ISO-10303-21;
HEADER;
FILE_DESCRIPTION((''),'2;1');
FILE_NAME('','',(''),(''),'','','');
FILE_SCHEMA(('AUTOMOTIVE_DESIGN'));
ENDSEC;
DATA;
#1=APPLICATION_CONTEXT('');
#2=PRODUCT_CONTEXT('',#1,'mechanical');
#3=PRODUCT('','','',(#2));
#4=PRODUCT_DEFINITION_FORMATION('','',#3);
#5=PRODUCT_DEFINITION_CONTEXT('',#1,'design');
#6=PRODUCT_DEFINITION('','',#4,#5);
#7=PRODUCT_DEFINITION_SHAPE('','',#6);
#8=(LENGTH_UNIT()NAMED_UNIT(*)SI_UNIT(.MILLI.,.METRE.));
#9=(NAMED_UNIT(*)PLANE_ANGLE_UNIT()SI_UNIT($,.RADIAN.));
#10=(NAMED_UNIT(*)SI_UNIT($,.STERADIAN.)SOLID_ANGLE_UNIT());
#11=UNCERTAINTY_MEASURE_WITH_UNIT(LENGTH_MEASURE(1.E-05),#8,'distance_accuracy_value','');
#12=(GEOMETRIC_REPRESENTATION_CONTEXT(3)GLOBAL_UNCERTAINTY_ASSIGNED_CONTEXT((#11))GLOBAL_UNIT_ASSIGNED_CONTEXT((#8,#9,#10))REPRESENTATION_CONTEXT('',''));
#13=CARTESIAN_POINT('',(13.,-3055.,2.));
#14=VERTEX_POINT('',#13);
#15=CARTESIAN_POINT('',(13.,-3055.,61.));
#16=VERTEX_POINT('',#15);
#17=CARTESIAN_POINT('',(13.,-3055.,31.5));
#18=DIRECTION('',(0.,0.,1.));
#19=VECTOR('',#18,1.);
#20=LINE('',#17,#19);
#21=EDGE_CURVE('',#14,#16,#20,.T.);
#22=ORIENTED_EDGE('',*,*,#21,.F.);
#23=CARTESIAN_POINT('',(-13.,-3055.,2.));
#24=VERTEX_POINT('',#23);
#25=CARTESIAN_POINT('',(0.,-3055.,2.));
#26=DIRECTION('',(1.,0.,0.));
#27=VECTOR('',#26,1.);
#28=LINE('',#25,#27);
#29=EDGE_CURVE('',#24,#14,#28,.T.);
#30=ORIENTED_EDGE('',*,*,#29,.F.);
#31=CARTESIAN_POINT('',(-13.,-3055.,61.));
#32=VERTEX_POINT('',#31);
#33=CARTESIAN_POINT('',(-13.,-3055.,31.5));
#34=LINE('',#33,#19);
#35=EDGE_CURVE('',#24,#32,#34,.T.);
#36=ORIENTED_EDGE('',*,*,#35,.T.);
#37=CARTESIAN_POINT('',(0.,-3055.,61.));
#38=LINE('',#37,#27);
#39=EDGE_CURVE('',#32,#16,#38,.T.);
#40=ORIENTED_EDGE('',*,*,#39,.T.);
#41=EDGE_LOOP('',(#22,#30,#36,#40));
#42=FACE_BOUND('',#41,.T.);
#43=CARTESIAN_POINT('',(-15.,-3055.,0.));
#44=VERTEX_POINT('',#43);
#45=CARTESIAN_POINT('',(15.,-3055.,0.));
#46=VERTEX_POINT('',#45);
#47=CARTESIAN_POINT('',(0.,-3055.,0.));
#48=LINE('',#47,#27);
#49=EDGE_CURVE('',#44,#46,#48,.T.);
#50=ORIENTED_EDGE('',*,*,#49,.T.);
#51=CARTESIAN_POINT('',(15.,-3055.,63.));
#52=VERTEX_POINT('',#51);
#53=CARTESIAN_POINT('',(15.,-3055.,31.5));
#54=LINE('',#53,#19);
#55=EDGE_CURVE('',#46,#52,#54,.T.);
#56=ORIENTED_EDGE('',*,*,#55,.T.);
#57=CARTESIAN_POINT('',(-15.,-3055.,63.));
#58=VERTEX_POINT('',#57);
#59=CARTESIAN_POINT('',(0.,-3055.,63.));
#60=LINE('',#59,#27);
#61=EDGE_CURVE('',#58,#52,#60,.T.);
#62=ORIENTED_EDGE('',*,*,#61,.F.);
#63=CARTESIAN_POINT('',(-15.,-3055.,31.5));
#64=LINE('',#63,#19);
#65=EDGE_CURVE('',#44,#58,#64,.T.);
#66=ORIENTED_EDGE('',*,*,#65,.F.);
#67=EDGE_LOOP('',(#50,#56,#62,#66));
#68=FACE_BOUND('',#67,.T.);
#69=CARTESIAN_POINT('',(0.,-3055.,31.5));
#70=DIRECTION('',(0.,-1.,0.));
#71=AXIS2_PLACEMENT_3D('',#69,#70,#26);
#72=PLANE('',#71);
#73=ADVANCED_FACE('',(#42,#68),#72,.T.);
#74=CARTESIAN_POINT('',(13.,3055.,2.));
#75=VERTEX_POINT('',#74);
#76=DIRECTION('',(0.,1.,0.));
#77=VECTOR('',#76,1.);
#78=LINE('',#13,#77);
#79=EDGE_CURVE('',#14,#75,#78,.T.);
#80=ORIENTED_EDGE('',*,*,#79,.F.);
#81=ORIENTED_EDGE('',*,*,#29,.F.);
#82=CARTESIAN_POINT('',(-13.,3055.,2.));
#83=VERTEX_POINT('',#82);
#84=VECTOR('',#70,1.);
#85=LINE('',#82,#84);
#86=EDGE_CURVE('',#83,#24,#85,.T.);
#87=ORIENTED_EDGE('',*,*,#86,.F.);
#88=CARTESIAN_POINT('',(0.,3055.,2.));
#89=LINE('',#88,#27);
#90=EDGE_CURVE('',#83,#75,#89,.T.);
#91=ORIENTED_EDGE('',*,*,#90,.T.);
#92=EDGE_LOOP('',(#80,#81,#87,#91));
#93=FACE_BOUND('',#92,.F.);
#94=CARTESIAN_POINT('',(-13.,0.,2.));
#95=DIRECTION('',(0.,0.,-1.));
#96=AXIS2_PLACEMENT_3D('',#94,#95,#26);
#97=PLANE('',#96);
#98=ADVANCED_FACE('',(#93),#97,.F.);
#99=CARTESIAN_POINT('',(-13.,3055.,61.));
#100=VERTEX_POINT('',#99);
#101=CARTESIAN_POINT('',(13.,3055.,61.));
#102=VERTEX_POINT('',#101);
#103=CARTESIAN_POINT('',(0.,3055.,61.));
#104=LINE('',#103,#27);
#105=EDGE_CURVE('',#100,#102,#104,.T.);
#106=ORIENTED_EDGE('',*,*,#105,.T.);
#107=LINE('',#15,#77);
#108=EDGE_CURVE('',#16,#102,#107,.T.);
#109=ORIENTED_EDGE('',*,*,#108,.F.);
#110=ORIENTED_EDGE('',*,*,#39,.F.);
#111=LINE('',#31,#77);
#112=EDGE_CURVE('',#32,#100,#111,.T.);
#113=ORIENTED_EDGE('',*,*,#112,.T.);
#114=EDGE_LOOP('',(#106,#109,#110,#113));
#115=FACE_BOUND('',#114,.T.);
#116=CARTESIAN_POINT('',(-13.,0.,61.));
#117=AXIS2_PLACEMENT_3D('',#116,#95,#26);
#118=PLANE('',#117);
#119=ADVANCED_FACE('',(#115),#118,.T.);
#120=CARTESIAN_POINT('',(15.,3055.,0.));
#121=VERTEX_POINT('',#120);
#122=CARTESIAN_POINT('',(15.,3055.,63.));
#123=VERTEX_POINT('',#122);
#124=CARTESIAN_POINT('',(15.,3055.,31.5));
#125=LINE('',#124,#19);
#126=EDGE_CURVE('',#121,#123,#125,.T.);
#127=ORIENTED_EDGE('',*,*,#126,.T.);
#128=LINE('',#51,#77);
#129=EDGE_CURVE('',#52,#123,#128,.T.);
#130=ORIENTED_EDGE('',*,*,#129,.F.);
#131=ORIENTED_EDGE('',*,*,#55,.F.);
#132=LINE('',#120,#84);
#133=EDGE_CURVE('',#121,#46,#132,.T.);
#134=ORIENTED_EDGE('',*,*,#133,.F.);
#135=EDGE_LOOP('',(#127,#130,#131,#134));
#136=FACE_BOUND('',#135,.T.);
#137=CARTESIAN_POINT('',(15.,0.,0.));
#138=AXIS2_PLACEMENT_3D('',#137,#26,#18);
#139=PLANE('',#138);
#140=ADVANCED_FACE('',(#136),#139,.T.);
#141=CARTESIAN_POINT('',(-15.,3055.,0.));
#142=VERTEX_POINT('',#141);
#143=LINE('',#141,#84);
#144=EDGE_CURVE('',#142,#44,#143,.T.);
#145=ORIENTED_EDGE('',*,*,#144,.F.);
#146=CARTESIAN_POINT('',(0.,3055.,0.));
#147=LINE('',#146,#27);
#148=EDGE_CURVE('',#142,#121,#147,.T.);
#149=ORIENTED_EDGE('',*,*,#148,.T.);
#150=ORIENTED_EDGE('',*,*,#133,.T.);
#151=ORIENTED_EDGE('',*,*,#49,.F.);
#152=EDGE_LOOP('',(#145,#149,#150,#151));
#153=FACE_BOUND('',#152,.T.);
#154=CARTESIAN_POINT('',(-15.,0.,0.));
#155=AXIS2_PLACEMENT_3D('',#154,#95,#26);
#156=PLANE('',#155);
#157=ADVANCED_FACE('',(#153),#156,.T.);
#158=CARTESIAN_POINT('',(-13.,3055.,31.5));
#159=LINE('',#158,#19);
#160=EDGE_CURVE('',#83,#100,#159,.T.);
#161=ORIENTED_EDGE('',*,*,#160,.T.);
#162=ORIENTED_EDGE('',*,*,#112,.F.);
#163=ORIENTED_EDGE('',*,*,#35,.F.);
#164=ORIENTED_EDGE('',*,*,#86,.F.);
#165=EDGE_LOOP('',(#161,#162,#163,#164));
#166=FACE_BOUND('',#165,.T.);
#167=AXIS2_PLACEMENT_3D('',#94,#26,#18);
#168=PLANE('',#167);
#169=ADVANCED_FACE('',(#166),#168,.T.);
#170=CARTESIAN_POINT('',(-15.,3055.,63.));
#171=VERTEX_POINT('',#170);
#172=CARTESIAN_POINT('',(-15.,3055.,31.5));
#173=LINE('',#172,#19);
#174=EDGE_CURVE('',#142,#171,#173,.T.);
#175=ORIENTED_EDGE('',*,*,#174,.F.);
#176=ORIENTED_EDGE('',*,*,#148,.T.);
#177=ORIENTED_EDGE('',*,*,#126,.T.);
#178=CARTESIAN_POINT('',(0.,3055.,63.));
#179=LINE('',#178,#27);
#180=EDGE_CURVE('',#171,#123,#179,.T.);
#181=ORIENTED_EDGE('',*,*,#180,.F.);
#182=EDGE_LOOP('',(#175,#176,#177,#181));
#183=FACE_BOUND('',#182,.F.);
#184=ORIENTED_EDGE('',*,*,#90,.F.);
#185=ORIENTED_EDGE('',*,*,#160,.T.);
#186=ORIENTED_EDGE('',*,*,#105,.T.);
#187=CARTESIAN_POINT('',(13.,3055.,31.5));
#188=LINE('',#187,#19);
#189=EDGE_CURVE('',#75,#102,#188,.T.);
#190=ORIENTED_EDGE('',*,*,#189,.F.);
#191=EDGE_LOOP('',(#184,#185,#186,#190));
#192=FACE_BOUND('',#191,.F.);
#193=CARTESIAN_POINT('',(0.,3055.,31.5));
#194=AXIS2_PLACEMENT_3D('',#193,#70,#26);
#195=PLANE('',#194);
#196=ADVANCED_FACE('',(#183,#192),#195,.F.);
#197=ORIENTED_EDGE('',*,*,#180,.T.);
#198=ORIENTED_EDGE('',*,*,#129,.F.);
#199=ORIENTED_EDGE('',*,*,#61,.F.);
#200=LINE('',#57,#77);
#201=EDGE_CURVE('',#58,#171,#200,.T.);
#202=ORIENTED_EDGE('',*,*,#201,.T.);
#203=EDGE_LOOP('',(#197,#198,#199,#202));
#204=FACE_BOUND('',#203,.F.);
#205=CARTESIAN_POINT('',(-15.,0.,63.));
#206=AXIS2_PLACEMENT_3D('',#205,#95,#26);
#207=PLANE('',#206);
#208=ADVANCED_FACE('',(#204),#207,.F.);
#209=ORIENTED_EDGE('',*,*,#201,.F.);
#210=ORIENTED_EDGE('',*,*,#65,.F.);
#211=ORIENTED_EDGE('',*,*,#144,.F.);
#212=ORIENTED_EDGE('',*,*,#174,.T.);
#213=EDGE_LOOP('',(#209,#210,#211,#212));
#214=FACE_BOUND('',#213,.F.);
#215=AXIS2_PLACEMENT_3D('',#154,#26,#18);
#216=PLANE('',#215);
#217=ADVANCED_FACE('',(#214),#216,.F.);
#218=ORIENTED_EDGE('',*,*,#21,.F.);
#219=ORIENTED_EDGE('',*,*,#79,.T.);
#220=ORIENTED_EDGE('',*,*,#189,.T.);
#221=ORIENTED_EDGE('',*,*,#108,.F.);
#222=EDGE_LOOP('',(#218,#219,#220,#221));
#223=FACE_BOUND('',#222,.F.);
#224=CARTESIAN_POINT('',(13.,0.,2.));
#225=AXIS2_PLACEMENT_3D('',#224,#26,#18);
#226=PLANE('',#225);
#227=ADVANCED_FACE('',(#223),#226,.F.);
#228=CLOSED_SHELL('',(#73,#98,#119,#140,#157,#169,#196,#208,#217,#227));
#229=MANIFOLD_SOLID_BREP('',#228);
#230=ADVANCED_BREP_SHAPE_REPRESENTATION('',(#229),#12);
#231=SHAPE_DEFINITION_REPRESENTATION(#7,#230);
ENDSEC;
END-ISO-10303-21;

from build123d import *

# Parameters (mm, degrees)
F0_W     = 30
F0_H     = 63
F0_W_2   = 26
F0_H_2   = 59
F1_DEPTH = 3055


with BuildPart() as f1:
    # F0 (on Front) → F1 (new body, symmetric)
    with BuildSketch(Plane.XZ):
        with Locations((0, 31.5)):
            Rectangle(F0_W, F0_H)
        with Locations((0, 31.5)):
            Rectangle(F0_W_2, F0_H_2, mode=Mode.SUBTRACT)
    extrude(amount=F1_DEPTH, both=True)


solid = f1.part
